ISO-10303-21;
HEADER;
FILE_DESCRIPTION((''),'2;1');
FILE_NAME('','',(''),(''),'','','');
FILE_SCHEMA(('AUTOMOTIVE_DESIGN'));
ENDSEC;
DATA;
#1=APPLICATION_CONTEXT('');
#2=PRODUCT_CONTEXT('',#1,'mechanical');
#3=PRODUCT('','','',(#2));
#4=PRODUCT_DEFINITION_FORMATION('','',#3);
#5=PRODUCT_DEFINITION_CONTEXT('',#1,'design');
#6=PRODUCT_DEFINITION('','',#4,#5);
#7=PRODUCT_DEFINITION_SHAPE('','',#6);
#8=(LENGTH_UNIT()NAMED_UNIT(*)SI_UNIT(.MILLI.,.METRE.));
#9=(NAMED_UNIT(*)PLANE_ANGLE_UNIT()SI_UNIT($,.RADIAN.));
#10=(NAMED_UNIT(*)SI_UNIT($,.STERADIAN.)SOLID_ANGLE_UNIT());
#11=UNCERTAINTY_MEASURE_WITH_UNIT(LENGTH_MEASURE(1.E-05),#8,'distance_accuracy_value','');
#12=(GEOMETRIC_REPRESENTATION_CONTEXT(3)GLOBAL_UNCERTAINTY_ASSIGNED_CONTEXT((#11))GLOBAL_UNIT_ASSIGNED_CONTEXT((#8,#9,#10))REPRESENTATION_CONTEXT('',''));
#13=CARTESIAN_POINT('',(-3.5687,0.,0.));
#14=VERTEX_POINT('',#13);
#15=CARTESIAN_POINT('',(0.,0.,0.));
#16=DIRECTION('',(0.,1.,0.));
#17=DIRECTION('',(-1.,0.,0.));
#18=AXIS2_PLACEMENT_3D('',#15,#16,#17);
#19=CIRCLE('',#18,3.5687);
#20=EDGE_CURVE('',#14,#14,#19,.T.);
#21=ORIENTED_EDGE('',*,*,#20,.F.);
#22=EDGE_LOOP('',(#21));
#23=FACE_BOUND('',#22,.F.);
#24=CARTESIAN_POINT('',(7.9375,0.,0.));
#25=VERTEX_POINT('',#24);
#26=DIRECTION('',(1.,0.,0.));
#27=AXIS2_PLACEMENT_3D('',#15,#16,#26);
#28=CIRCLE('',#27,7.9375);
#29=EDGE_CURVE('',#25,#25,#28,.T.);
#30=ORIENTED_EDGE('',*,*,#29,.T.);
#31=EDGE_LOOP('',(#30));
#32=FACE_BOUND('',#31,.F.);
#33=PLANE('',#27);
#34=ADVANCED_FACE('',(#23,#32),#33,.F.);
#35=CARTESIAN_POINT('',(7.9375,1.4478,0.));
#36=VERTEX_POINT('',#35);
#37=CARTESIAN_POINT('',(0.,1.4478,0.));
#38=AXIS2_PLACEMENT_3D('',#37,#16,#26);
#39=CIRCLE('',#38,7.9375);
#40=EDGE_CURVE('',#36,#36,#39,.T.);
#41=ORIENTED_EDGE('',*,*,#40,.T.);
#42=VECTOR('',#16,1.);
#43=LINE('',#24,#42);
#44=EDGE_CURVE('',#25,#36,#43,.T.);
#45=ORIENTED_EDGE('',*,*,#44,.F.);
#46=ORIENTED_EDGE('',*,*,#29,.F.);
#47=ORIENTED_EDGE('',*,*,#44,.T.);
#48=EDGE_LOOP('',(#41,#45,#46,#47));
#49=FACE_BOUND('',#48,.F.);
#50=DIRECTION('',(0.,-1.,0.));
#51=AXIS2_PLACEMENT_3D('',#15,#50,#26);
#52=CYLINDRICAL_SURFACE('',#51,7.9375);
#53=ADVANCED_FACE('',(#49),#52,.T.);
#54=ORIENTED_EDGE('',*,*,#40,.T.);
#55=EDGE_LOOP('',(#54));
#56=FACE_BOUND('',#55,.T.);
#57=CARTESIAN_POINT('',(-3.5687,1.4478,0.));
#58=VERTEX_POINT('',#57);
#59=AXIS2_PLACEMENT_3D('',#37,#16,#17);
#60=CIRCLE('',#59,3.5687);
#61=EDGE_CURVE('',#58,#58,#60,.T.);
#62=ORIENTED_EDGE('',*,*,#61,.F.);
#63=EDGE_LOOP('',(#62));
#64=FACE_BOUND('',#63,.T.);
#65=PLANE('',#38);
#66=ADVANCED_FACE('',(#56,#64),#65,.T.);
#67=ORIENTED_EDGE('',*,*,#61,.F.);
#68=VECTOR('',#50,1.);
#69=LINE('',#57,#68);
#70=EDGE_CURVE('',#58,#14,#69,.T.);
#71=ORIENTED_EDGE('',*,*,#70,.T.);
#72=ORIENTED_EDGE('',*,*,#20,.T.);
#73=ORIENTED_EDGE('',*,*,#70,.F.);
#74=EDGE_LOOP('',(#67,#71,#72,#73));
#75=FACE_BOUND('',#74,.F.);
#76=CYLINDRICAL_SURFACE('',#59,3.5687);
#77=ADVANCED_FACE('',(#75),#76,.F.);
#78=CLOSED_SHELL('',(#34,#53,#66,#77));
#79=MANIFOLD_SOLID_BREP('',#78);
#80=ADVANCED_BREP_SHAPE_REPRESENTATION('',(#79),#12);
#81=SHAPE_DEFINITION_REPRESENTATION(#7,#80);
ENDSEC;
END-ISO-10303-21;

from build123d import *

# Parameters (mm, degrees)
SKETCH1_R           = 7.9375
BOSS_EXTRUDE1_DEPTH = 1.4478
SKETCH5_R           = 3.5687
CUT_EXTRUDE1_DEPTH  = 2.4478


with BuildPart() as part:
    # Sketch1 → Boss-Extrude1 (new body)
    with BuildSketch(Plane(origin=(0, 0, 0), x_dir=(1, 0, 0), z_dir=(0, 1, 0))):
        Circle(SKETCH1_R)
    extrude(amount=BOSS_EXTRUDE1_DEPTH)

    # Sketch5 → Cut-Extrude1 (cut, through all)
    with BuildSketch(Plane(origin=(0, 1.4478, 0), x_dir=(-1, 0, 0), z_dir=(0, 1, 0))):
        Circle(SKETCH5_R)
    extrude(amount=-CUT_EXTRUDE1_DEPTH, mode=Mode.SUBTRACT)


solid = part.part
